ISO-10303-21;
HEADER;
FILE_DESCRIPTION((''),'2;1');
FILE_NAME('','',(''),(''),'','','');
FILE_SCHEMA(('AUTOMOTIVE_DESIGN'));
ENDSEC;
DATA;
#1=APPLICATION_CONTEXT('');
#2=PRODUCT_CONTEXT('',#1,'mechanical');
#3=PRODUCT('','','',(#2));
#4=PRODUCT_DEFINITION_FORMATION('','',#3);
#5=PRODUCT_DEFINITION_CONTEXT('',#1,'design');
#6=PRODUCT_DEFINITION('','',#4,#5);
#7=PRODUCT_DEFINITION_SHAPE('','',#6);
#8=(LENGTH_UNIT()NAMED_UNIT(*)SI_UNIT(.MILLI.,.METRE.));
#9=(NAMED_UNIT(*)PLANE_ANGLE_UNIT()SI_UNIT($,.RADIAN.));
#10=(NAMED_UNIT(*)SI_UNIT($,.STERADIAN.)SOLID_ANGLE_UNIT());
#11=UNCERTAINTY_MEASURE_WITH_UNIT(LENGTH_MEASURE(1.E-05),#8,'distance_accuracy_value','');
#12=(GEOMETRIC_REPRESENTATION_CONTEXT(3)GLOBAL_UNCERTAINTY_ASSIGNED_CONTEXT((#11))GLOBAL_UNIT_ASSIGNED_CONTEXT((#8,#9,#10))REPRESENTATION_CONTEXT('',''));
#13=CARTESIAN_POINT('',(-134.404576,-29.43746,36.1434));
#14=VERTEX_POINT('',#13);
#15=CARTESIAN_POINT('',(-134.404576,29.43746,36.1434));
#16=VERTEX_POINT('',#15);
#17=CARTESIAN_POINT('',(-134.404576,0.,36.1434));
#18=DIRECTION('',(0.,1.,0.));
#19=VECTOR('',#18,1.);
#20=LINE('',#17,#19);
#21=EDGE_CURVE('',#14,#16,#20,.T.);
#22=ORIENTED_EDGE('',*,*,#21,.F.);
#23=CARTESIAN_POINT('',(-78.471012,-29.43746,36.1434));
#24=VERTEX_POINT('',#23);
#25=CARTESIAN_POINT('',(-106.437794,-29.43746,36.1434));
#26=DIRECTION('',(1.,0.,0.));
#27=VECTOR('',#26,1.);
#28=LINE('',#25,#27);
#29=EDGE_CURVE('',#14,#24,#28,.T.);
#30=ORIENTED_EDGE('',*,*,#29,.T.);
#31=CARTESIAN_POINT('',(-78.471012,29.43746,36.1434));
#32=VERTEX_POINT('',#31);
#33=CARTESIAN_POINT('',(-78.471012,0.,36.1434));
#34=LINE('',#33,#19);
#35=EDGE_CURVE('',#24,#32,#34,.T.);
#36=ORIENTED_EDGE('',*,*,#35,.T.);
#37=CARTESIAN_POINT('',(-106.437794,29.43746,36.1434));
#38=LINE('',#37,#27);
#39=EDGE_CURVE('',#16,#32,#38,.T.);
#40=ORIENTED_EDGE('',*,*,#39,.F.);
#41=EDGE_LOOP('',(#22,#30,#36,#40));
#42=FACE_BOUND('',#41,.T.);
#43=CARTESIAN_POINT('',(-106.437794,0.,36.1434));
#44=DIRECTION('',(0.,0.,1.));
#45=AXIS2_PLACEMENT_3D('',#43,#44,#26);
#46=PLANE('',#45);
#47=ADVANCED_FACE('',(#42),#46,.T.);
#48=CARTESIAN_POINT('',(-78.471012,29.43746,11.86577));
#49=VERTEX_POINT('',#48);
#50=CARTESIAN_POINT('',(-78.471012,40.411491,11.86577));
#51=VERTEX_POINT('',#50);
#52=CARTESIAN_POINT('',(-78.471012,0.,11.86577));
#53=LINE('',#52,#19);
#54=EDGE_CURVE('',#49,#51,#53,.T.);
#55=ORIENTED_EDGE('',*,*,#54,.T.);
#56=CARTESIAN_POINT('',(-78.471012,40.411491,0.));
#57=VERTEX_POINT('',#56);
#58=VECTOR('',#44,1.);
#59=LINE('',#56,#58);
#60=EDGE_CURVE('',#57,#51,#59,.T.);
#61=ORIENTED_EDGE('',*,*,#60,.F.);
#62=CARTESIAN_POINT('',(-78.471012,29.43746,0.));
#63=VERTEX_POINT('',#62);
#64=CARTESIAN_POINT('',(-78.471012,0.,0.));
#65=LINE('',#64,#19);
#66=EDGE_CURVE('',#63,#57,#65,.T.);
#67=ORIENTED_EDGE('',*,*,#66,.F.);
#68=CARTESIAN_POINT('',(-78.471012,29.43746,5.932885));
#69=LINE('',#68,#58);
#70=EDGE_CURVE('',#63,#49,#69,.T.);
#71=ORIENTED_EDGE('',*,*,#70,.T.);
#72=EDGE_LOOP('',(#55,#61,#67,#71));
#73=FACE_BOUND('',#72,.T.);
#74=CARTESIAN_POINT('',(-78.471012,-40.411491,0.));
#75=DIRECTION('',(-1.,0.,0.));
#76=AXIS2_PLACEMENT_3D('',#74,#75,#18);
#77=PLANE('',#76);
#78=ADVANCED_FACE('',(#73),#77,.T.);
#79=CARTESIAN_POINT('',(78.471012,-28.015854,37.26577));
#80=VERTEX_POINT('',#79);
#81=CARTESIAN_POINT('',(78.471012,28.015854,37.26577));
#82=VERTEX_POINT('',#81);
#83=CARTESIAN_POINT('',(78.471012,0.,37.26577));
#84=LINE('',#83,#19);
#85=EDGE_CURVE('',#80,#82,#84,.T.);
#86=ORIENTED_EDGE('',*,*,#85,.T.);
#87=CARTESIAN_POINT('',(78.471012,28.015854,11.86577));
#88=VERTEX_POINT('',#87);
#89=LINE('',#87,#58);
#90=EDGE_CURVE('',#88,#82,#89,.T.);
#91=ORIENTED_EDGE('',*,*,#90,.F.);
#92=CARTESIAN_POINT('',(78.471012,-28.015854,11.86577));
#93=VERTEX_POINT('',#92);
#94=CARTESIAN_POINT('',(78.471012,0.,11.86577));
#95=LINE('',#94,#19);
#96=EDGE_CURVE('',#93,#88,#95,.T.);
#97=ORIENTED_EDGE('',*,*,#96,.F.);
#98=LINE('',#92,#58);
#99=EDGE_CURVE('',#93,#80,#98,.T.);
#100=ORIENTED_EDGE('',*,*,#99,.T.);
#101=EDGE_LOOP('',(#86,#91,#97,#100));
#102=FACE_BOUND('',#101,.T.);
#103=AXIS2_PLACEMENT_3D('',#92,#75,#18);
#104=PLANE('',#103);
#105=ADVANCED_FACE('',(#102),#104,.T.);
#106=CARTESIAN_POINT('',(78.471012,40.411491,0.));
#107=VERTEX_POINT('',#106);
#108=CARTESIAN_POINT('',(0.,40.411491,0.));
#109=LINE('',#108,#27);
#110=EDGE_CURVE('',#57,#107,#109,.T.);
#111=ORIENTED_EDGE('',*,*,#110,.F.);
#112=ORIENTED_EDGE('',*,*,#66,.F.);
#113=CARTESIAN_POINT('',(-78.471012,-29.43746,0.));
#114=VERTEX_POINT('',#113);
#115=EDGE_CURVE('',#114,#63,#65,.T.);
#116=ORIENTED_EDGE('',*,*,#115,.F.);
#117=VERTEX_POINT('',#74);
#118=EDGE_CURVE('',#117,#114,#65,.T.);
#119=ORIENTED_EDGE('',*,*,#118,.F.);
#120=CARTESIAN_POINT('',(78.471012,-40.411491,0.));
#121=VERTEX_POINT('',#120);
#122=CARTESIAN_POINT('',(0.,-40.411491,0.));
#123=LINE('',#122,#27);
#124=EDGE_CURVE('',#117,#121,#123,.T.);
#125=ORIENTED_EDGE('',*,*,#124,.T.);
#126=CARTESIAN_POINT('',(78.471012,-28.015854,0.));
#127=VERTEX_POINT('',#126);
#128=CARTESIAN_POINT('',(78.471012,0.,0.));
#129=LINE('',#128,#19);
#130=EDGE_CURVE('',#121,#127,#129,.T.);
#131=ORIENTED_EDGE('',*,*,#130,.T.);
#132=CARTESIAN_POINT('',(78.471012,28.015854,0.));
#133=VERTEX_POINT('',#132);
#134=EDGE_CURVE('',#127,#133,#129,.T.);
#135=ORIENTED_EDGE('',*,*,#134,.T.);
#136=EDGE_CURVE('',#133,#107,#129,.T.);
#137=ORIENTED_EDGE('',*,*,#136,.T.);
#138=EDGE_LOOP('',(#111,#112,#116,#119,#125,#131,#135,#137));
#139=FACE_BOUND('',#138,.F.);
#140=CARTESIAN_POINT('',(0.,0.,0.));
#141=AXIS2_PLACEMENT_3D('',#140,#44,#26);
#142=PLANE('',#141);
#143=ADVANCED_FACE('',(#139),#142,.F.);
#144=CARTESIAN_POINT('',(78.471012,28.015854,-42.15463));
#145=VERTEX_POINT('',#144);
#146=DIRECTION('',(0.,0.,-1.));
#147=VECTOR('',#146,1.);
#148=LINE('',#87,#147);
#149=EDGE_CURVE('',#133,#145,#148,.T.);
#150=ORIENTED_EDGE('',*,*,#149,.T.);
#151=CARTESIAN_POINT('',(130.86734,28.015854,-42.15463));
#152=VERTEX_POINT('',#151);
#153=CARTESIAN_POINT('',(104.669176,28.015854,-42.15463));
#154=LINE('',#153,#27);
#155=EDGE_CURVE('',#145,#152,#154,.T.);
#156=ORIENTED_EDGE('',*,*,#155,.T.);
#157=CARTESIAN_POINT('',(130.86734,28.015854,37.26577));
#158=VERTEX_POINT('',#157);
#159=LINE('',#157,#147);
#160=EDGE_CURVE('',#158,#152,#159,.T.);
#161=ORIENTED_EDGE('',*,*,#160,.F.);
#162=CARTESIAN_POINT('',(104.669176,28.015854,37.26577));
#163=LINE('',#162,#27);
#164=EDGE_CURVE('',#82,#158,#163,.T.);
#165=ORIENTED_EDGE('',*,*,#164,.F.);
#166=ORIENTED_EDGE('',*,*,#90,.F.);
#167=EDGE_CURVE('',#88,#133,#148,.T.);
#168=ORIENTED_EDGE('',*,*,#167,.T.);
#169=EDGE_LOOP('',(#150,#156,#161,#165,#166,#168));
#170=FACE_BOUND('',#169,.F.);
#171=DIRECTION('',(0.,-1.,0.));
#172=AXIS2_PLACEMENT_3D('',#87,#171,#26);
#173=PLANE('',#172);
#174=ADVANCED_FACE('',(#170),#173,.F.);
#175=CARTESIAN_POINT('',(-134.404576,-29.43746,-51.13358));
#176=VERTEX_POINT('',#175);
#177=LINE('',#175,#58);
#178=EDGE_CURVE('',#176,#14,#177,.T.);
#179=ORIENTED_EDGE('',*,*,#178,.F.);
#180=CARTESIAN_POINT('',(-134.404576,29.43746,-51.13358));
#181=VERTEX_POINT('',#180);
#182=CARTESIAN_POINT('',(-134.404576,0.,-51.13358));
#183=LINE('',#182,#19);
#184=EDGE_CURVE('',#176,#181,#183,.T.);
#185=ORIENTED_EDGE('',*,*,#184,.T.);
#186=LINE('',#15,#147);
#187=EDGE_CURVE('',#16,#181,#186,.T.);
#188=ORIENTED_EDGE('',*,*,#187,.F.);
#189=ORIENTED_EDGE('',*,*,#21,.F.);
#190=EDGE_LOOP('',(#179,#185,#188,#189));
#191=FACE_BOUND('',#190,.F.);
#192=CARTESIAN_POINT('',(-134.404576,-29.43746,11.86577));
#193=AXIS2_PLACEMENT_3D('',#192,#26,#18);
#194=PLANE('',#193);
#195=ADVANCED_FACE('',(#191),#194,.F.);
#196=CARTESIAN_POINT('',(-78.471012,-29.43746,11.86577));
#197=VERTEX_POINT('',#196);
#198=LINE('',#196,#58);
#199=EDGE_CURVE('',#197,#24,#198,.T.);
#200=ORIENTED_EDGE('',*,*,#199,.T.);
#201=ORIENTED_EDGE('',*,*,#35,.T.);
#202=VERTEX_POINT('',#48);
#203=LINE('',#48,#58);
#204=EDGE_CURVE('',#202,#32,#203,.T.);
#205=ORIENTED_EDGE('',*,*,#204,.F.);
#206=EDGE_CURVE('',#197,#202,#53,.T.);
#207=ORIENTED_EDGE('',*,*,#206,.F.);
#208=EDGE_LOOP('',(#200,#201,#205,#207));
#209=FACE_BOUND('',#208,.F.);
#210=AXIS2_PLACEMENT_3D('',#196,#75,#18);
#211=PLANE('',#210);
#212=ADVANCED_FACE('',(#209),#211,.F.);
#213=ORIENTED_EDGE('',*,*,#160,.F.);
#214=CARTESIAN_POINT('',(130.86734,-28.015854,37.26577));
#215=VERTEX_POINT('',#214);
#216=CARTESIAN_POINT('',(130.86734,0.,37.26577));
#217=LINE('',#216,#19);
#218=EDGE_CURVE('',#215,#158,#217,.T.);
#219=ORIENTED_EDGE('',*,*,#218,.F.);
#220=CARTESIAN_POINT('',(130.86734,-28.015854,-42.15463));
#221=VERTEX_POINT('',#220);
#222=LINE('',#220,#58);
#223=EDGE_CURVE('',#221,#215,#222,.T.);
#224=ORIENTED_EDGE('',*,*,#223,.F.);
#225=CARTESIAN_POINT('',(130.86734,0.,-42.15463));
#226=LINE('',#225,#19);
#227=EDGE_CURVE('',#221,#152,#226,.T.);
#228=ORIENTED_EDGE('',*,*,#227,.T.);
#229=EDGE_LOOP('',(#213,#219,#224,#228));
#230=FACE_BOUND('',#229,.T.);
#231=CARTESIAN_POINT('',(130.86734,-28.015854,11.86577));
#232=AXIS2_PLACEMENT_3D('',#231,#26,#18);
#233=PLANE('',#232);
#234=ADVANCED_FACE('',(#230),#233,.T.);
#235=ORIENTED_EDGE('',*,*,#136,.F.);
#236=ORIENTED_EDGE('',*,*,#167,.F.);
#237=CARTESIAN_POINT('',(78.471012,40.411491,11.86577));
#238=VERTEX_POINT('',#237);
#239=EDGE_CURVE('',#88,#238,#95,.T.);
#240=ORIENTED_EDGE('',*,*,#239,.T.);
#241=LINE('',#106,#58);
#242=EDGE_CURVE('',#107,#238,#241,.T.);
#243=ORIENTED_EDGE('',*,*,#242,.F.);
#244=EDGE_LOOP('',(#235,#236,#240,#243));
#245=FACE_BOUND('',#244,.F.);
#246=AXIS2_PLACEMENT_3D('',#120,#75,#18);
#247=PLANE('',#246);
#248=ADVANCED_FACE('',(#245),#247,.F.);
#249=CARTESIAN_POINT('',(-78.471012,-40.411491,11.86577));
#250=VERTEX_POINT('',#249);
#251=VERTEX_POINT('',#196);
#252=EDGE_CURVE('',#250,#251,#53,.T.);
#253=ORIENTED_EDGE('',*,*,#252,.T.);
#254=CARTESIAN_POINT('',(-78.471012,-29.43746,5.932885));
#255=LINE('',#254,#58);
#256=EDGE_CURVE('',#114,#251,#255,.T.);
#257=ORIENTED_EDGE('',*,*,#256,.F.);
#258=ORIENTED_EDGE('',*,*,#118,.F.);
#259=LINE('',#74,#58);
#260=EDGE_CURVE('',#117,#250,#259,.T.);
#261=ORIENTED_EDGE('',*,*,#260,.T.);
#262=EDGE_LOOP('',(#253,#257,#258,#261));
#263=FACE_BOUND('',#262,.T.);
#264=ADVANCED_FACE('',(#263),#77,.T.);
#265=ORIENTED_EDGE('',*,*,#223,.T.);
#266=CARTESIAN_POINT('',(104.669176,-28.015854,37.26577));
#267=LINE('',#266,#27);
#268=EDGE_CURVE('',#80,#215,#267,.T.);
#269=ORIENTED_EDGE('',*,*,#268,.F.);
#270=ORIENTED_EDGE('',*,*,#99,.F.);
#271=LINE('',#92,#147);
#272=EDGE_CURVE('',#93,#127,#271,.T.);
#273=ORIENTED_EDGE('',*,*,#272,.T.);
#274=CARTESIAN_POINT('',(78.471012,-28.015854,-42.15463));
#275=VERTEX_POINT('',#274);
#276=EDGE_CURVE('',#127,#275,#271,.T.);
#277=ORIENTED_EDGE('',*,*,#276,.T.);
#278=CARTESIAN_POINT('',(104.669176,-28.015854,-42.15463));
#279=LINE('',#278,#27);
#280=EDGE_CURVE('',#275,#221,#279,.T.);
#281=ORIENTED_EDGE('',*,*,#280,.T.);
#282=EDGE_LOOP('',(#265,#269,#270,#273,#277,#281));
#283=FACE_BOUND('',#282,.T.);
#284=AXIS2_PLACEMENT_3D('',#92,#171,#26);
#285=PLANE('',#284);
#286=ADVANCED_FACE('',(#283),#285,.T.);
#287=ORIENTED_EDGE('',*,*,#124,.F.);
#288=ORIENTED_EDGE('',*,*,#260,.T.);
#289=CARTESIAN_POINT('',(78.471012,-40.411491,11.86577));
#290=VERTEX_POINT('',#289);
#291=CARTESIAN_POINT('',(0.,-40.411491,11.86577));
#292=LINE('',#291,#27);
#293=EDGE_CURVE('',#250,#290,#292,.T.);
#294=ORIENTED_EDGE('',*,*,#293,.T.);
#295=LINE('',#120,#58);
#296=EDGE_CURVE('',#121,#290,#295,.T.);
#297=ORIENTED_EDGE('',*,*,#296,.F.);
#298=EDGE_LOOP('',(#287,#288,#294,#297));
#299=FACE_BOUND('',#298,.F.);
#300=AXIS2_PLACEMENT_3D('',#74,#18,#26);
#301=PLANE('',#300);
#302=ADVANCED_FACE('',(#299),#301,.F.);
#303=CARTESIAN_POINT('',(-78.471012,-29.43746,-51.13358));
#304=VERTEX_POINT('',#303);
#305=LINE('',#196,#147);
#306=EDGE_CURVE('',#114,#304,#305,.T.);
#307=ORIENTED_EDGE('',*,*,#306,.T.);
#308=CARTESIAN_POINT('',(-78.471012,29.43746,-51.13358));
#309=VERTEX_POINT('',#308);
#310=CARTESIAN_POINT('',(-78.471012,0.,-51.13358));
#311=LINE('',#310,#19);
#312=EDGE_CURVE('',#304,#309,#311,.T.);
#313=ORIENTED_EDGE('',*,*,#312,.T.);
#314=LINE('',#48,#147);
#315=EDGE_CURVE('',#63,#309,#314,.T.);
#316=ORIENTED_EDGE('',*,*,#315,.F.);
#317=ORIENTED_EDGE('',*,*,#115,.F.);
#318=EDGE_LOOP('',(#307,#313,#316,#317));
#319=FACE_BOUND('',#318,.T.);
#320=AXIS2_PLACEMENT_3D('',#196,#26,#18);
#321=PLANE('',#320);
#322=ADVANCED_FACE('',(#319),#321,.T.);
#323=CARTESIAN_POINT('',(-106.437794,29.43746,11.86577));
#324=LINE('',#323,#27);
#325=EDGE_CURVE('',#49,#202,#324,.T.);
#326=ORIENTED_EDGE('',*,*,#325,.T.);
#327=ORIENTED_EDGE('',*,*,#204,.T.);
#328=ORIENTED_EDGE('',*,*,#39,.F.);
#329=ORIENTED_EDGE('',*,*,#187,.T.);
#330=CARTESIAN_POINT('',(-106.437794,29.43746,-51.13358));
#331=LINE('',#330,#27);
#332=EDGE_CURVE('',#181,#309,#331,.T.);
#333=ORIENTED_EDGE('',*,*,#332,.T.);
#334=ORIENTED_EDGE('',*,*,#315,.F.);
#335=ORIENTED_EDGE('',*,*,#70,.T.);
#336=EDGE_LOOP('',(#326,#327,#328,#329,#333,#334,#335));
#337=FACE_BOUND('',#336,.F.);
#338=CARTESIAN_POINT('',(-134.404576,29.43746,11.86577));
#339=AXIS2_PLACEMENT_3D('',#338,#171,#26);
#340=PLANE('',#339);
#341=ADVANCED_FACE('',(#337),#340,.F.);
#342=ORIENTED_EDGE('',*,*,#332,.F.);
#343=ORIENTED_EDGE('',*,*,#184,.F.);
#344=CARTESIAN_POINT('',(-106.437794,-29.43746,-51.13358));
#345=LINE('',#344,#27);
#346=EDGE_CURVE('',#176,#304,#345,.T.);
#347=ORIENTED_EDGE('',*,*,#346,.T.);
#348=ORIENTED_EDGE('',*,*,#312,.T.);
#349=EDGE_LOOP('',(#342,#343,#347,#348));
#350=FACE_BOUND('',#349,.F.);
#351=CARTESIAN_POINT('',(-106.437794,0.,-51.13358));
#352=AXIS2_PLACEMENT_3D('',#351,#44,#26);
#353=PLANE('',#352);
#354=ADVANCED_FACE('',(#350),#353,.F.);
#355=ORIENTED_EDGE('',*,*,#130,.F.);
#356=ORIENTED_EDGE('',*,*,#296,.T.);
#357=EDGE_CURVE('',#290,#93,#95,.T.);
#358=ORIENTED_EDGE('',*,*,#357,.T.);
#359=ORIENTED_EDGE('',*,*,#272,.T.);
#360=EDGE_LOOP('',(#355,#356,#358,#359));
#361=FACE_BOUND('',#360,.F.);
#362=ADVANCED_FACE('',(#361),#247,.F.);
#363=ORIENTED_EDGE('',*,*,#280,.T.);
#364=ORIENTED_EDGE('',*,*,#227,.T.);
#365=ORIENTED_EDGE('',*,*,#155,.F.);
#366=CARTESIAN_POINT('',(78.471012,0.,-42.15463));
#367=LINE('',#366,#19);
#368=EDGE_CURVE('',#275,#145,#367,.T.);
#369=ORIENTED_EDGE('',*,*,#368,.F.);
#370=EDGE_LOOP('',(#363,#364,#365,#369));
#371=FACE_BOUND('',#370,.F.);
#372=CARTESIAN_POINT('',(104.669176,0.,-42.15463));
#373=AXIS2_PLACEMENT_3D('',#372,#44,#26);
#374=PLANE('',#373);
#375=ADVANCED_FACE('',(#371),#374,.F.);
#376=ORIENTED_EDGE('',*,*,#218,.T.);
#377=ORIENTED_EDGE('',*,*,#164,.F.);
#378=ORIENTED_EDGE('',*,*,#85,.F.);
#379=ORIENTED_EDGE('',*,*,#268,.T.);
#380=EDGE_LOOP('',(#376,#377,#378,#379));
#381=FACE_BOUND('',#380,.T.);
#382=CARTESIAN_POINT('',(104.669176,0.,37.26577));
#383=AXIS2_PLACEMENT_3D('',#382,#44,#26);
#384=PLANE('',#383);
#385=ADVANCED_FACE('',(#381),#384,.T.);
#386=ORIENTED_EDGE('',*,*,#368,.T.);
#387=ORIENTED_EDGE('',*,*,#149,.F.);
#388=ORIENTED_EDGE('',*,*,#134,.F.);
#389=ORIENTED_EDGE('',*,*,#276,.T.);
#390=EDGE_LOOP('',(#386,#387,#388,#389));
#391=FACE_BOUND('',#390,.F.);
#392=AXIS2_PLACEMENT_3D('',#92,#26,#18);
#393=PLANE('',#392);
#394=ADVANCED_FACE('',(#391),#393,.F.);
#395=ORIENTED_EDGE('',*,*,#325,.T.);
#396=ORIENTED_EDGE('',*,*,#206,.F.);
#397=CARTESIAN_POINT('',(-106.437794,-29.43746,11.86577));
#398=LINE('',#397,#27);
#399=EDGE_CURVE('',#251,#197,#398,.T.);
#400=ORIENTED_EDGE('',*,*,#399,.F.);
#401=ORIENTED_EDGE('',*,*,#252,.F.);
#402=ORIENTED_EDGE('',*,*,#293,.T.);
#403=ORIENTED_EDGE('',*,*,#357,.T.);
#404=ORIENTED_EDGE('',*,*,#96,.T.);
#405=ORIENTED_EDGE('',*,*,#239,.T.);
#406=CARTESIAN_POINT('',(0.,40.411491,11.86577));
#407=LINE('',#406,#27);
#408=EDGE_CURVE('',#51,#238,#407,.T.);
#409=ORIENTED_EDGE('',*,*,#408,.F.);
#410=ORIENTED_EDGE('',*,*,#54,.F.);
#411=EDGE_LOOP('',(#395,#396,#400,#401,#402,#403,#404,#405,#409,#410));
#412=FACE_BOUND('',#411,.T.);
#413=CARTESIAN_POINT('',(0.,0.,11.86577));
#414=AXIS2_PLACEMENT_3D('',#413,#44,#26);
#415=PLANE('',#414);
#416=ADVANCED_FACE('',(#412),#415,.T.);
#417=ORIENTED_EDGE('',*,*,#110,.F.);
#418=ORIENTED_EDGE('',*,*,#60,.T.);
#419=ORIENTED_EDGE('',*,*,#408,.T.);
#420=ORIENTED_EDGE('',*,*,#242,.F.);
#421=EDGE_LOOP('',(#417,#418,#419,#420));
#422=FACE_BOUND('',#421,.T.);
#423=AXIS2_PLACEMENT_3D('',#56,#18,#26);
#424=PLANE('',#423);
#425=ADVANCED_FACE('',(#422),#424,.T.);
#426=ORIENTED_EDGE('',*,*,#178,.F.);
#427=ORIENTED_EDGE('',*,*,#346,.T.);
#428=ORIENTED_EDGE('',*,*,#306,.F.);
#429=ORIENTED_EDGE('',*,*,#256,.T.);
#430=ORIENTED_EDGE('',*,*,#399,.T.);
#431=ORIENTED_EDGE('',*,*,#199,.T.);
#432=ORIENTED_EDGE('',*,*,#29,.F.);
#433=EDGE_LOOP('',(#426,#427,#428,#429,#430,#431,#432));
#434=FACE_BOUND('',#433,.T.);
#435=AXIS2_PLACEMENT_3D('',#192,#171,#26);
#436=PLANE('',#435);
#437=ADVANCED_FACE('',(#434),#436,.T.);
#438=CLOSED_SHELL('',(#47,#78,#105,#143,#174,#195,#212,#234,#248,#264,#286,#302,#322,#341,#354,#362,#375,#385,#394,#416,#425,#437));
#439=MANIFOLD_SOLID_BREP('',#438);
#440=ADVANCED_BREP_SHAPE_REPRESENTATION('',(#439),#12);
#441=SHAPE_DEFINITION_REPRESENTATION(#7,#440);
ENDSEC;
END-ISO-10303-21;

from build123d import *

# Parameters (mm, degrees)
F0_W          = 156.942024
F0_H          = 80.822982
F1_DEPTH      = 11.86577
F2_W          = 55.933565
F2_H          = 58.87492
F4_DEPTH      = 24.27763
F4_DEPTH_BACK = 62.99935
F3_W          = 52.396328
F3_H          = 56.031708
F5_DEPTH      = 25.4
F5_DEPTH_BACK = 54.0204


with BuildPart() as f1:
    # F0 (on Top) → F1 (new body)
    with BuildSketch(Plane.XY):
        Rectangle(F0_W, F0_H)
    extrude(amount=F1_DEPTH)

    # F2 (on face) → F4 (join, two sides)
    with BuildSketch(Plane.XY.offset(11.86577)) as f4_sk:
        with Locations((-106.437794, 0)):
            Rectangle(F2_W, F2_H)
    extrude(amount=F4_DEPTH)
    extrude(f4_sk.sketch, amount=-F4_DEPTH_BACK)

    # F3 (on face) → F5 (join, two sides)
    with BuildSketch(Plane.XY.offset(11.86577)) as f5_sk:
        with Locations((104.669176, 0)):
            Rectangle(F3_W, F3_H)
    extrude(amount=F5_DEPTH)
    extrude(f5_sk.sketch, amount=-F5_DEPTH_BACK)


solid = f1.part
